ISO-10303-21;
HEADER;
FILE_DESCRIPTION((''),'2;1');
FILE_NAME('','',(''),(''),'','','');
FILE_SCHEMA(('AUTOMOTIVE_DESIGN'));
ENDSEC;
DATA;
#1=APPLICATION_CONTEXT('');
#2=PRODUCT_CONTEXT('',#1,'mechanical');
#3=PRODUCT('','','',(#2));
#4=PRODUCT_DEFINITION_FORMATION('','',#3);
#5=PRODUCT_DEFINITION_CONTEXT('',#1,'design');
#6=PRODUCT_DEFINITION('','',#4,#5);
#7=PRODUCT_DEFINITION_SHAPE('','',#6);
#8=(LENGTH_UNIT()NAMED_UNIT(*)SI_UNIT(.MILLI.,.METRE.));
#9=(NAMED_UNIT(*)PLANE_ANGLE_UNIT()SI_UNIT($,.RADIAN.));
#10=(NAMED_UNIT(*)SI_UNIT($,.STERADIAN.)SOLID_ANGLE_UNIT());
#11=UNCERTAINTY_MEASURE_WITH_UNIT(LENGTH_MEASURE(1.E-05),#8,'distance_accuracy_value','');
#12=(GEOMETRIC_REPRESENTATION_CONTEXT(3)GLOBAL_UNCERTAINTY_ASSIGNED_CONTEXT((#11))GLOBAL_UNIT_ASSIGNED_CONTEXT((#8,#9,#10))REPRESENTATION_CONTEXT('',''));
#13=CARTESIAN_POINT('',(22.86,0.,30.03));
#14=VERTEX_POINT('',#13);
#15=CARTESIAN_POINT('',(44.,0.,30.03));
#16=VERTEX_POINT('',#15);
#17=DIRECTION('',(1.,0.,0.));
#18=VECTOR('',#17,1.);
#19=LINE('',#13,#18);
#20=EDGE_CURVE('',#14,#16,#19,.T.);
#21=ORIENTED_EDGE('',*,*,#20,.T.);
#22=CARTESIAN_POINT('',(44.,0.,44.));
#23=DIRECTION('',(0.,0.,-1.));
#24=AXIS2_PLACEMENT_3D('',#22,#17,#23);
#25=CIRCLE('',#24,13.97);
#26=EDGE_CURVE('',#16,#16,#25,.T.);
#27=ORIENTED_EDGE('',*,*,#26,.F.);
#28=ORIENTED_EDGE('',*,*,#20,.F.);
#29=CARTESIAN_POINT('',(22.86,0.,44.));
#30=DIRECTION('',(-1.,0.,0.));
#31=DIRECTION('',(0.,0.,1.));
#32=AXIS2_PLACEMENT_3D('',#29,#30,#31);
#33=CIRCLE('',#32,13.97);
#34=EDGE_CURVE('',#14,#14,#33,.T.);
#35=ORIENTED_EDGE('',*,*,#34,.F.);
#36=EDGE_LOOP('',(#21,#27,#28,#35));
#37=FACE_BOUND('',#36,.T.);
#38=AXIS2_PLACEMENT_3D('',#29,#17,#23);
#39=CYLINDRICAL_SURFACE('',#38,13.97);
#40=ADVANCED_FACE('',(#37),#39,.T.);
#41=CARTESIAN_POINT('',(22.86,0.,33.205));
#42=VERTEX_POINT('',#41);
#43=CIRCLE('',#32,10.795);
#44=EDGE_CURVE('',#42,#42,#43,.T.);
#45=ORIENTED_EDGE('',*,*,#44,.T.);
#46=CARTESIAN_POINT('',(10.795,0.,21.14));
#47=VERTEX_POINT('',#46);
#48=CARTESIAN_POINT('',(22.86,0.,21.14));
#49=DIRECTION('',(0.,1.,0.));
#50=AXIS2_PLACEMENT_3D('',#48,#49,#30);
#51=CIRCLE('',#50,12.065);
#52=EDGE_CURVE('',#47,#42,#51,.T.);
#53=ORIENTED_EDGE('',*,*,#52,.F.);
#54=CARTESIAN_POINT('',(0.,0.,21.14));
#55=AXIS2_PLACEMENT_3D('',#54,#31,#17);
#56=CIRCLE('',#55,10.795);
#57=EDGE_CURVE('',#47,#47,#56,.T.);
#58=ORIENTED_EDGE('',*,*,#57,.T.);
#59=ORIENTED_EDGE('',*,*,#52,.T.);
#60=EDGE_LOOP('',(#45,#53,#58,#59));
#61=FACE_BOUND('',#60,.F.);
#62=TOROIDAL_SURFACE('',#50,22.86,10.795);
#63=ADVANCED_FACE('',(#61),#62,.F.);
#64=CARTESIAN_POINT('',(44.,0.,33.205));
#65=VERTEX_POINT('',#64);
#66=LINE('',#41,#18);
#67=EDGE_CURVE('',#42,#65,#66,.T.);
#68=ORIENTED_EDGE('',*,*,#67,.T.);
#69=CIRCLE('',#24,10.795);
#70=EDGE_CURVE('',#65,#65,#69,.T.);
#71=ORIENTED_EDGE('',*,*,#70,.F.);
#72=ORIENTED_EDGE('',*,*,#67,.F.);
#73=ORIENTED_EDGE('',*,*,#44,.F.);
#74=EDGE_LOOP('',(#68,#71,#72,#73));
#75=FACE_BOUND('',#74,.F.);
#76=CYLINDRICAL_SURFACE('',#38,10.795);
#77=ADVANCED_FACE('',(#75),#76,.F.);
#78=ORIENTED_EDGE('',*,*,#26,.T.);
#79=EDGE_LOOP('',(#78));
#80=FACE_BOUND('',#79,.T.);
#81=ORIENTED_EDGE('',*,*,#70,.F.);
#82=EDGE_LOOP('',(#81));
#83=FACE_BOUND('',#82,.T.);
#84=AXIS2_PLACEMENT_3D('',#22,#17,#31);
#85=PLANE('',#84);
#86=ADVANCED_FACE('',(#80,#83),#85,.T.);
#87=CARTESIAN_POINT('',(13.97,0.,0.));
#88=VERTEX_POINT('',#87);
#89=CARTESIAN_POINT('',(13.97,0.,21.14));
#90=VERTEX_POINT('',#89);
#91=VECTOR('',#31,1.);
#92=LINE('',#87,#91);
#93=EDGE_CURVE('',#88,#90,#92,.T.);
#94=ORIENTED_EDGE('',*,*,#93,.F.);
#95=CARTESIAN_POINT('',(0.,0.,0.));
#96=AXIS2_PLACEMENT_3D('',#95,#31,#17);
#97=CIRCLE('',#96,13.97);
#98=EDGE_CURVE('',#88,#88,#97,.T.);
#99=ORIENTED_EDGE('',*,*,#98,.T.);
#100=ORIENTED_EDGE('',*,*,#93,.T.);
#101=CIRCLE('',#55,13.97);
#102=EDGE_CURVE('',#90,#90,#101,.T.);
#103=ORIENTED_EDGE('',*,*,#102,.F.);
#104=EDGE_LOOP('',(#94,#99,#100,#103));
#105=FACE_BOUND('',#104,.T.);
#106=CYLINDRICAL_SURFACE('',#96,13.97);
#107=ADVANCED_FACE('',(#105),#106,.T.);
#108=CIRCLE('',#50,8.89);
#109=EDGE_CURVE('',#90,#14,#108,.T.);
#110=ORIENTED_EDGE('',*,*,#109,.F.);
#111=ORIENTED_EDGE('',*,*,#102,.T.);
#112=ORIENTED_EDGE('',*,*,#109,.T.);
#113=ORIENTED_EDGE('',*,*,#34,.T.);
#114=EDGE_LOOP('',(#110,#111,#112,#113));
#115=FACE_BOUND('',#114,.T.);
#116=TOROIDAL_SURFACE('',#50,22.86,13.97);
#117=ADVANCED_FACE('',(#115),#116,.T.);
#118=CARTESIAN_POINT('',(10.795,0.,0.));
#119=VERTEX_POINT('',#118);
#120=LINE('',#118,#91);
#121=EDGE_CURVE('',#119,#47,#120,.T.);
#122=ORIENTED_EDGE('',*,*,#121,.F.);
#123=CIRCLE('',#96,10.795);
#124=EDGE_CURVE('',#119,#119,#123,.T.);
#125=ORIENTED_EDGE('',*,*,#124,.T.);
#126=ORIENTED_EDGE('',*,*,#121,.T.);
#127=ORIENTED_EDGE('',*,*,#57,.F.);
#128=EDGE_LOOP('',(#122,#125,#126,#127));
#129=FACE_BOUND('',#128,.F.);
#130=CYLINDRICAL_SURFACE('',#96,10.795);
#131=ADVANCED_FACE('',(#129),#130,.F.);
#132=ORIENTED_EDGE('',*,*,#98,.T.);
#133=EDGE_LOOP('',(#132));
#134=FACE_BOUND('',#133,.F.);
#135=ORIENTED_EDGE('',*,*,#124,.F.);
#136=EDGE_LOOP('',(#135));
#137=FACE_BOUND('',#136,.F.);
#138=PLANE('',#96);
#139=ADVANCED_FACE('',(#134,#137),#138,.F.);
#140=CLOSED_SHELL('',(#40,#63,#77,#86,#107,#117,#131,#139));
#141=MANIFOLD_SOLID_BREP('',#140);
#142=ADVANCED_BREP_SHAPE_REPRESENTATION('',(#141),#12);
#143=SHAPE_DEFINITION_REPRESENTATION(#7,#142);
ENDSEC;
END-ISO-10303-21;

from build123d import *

# Parameters (mm, degrees)
F1_R = 13.97
F3_R = 10.795


with BuildPart() as f2:
    # F2: sweep along a path in F0
    with BuildLine(Plane.XZ) as f2_path:
        Line((0, 0), (0, 21.14))
        ThreePointArc((0, 21.14), (6.6955389821, 37.3044610179), (22.86, 44))
        Line((22.86, 44), (44, 44))
    # F1 (on Top) → F2 (sweep)
    with BuildSketch(Plane.XY):
        Circle(F1_R)
    sweep(path=f2_path.line)

    # F4: sweep along a path in F0
    with BuildLine(Plane.XZ) as f4_path:
        Line((0, 0), (0, 21.14))
        ThreePointArc((0, 21.14), (6.6955389821, 37.3044610179), (22.86, 44))
        Line((22.86, 44), (44, 44))
    # F3 (on face) → F4 (sweep, cut)
    with BuildSketch(Plane(origin=(0, 0, 0), x_dir=(1, 0, 0), z_dir=(0, 0, -1))):
        Circle(F3_R)
    sweep(path=f4_path.line, mode=Mode.SUBTRACT)


solid = f2.part
